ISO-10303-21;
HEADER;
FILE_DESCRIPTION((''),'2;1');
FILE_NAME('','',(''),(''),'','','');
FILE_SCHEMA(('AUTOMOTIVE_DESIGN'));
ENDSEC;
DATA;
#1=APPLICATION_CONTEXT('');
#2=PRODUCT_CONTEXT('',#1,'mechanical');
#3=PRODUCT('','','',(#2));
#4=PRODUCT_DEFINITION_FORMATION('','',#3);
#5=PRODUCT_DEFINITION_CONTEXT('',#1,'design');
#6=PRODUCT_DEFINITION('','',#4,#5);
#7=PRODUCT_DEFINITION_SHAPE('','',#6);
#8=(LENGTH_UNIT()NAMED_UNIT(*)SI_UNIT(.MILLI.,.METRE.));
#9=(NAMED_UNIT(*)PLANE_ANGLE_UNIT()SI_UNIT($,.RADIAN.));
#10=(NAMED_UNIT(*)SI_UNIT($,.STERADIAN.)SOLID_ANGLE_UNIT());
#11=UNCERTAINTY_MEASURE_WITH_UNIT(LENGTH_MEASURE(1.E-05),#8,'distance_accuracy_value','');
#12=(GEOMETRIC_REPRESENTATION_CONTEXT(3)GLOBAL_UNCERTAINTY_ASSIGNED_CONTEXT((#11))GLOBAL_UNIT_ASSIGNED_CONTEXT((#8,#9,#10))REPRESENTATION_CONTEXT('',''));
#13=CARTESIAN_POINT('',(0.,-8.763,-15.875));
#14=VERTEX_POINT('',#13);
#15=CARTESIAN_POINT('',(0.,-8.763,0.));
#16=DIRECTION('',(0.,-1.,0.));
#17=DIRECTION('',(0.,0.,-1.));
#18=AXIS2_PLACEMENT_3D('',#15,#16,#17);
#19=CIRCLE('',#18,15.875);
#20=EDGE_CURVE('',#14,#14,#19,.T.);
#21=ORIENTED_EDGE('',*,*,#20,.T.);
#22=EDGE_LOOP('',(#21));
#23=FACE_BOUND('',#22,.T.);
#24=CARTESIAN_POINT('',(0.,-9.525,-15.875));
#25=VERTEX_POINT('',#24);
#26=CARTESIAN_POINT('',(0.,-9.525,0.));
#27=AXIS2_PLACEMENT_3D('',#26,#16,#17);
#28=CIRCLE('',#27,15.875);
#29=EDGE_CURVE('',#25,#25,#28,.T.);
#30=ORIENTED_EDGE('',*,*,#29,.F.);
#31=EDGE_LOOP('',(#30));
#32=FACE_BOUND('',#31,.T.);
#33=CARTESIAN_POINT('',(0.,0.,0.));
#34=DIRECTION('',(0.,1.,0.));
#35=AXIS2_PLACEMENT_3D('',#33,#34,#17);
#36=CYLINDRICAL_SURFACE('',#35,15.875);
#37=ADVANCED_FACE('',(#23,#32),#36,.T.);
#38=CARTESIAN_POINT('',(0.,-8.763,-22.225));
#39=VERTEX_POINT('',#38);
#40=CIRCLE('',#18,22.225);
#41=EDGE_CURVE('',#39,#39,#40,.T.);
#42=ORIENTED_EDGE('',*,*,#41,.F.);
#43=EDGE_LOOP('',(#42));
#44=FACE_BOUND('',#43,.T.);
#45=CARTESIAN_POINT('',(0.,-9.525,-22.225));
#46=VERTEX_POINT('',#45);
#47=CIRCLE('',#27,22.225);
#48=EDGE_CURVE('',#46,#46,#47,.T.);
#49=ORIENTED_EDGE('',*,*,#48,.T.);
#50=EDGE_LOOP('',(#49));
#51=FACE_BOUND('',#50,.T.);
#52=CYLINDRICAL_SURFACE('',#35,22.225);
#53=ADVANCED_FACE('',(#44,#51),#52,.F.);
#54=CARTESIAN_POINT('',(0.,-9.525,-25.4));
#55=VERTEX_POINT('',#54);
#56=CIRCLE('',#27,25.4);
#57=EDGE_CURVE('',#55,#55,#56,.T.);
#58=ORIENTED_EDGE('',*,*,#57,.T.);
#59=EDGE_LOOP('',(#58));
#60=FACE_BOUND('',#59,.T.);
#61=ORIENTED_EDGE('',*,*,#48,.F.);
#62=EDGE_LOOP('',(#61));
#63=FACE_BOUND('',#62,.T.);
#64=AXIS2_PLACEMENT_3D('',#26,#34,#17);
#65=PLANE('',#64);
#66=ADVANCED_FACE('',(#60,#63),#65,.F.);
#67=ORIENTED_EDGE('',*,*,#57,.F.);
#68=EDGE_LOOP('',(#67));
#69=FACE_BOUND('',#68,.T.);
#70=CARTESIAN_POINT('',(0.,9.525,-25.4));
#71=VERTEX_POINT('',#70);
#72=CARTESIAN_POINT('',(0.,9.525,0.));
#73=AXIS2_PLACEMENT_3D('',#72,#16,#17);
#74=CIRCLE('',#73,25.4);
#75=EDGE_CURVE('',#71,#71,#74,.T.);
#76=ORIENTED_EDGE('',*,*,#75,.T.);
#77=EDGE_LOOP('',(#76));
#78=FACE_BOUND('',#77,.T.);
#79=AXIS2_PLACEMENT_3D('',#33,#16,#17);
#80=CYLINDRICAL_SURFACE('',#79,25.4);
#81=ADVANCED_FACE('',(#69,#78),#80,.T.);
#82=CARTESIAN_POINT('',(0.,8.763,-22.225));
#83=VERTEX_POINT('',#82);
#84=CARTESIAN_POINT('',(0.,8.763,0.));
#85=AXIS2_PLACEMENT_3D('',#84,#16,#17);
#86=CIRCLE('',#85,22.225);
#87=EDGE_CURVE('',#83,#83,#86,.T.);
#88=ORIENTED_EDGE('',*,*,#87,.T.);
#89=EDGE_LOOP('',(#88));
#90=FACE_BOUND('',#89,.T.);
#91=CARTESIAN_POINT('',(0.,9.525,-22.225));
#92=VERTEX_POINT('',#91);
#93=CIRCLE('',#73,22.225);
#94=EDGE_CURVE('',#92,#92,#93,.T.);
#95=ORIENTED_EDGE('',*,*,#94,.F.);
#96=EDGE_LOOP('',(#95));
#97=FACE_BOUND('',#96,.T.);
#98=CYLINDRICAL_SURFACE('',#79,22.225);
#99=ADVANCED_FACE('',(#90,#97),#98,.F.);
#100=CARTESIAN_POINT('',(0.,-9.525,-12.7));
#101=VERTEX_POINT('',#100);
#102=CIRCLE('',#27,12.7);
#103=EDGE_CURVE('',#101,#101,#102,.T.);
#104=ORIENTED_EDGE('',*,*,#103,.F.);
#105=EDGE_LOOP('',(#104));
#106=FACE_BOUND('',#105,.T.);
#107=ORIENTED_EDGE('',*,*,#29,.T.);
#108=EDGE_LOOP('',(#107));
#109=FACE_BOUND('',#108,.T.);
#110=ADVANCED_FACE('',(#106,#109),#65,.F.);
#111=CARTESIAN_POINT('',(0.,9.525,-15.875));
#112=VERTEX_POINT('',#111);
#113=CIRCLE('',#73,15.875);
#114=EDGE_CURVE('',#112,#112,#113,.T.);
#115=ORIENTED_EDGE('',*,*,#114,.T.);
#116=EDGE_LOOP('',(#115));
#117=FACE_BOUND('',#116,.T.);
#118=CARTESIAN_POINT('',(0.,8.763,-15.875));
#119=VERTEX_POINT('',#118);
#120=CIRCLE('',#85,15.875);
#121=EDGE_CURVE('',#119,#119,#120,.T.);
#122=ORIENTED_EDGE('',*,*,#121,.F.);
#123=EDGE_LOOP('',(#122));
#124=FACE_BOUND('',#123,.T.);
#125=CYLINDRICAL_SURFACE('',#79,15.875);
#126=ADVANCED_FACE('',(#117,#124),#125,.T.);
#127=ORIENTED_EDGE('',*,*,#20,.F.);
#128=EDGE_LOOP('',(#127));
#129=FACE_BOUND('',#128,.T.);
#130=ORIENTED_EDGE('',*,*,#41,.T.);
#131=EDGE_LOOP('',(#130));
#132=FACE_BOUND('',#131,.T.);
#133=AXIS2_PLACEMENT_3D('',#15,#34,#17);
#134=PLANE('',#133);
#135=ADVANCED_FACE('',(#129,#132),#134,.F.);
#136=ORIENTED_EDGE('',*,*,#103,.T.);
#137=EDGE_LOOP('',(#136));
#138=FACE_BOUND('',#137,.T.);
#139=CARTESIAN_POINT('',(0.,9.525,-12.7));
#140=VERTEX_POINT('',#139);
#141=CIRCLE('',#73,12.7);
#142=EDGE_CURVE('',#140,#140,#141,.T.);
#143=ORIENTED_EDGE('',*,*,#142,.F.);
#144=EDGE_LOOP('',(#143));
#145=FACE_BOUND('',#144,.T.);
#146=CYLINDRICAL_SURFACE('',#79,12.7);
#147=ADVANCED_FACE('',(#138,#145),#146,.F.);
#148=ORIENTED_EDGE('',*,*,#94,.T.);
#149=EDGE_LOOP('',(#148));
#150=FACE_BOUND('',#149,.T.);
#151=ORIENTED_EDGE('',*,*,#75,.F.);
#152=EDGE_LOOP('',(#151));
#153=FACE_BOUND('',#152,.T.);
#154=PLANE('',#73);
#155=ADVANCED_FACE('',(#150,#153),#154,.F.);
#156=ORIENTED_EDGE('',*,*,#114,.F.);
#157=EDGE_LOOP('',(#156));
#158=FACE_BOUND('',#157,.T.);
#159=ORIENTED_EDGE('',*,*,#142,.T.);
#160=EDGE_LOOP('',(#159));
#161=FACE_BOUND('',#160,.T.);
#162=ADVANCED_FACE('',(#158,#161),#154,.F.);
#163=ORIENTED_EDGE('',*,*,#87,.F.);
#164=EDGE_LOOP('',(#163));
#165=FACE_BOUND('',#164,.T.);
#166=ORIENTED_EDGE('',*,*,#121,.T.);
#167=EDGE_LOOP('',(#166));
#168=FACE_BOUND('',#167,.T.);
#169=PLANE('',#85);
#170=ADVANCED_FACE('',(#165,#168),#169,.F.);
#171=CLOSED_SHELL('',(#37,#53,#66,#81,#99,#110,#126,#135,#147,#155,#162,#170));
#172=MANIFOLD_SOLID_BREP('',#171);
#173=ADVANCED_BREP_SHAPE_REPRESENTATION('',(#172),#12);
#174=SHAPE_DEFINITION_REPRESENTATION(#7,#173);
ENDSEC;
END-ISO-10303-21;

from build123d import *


with BuildPart() as part:
    # Sketch1 → Revolve1 (revolve)
    with BuildSketch(Plane.XY):
        Polygon((12.7, 9.525), (15.875, 9.525), (15.875, 8.763), (22.225, 8.763), (22.225, 9.525), (25.4, 9.525), (25.4, 0), (12.7, 0), align=None)
    revolve(axis=Axis((0, 0, 0), (0, 1, 0)))

    # Mirror1: part across plane


with BuildPart() as part_1:
    add(part.part)
    add(part.part.mirror(Plane.ZX))


solid = part_1.part
